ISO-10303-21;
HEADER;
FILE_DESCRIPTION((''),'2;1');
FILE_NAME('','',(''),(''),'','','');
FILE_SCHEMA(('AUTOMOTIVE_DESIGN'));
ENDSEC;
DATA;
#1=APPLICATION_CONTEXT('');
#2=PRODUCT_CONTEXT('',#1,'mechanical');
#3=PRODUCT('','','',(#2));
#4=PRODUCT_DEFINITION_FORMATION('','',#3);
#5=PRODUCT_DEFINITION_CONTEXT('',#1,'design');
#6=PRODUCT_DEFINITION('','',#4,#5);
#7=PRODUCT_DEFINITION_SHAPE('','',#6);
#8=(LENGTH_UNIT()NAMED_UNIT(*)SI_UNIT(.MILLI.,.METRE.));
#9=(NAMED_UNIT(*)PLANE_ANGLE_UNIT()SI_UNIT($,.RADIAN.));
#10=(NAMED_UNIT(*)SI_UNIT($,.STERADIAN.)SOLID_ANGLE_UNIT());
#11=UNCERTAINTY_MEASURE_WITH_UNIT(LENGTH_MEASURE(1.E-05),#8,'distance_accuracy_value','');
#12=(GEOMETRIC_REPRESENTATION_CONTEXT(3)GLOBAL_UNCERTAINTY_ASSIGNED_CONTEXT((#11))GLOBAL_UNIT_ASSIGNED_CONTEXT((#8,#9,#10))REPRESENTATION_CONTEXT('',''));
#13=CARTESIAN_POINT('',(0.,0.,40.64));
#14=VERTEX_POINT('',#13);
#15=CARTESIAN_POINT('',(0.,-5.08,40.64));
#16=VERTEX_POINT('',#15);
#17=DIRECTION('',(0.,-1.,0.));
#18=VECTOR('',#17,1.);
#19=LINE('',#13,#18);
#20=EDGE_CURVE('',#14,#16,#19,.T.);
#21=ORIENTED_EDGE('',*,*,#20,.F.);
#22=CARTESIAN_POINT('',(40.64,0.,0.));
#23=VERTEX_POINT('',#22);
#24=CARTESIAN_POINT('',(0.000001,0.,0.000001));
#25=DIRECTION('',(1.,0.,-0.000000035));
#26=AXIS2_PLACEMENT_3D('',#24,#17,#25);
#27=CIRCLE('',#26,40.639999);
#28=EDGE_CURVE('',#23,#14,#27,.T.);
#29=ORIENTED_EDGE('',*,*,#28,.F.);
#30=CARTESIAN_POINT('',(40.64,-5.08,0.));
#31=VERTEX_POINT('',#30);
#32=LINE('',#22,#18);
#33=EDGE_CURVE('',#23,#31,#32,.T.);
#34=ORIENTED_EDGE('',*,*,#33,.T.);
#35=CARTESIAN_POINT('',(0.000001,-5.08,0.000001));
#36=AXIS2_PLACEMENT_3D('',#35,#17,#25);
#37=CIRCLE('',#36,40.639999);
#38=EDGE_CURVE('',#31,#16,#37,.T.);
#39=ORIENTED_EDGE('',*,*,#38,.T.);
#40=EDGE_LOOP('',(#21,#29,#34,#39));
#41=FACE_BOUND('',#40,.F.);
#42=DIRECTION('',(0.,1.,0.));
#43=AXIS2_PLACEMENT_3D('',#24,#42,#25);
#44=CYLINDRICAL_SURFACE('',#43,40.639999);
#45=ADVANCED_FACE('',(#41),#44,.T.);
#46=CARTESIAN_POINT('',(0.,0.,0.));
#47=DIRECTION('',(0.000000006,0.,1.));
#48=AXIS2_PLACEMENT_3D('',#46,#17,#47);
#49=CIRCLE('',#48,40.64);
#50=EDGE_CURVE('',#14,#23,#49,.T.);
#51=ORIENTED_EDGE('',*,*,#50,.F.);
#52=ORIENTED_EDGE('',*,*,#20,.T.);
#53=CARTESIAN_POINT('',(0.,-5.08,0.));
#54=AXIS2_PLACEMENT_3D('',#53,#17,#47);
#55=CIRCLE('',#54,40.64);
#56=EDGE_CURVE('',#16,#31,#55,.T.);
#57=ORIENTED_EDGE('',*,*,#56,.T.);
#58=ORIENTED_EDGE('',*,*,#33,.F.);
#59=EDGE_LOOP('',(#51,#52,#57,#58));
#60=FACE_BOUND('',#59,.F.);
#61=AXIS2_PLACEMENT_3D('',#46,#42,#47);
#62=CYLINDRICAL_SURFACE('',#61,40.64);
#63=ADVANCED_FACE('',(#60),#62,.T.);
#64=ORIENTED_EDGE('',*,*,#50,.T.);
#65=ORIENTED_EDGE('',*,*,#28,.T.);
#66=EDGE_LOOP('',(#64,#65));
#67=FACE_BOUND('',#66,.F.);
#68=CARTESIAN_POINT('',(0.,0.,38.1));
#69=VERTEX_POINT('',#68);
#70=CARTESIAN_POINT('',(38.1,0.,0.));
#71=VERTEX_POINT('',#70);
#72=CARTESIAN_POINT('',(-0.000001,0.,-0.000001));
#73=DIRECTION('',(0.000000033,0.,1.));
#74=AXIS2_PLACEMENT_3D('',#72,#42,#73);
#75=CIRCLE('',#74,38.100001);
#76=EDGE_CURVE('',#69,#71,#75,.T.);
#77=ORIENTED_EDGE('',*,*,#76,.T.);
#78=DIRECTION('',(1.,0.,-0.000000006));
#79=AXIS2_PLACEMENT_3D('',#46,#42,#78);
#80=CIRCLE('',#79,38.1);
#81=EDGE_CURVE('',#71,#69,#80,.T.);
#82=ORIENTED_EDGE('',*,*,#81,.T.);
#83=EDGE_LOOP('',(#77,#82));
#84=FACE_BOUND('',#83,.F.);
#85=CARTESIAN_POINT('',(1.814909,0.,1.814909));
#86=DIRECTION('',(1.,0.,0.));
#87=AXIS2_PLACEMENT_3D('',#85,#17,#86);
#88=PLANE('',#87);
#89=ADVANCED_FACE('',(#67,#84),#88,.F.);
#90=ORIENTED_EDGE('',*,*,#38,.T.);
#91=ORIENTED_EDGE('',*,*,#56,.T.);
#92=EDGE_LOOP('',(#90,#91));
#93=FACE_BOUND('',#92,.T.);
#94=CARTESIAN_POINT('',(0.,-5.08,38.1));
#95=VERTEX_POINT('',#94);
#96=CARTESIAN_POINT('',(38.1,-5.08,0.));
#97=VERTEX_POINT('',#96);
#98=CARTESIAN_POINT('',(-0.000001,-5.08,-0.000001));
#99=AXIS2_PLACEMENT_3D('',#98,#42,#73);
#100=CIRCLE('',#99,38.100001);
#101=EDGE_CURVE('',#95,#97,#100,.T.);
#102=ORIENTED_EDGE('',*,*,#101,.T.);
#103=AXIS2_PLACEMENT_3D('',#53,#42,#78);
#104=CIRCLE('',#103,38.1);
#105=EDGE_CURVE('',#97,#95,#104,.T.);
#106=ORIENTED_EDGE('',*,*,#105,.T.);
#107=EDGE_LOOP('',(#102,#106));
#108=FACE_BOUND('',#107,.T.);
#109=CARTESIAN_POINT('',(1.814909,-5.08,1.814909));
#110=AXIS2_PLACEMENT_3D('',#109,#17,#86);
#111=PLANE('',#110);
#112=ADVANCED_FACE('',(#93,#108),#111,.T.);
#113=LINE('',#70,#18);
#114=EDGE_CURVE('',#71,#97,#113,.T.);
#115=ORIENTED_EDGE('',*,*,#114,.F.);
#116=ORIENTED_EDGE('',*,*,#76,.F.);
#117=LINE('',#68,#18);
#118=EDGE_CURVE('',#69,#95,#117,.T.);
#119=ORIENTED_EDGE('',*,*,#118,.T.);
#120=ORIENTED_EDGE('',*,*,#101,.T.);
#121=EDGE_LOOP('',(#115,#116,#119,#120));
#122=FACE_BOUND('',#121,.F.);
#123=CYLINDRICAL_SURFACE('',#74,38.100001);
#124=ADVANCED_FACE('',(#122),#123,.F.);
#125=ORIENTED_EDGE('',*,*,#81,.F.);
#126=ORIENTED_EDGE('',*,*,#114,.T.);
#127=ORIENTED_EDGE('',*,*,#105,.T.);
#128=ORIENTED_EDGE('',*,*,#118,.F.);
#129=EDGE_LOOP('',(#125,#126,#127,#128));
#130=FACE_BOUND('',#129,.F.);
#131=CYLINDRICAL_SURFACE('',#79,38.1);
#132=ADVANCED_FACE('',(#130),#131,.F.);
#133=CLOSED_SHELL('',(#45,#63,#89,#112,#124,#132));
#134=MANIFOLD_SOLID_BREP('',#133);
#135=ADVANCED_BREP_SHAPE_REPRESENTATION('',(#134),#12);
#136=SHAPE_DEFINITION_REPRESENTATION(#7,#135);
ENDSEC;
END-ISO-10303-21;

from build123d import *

# Parameters (mm, degrees)
F1_DEPTH = 5.08


with BuildPart() as f1:
    # F0 (on Front) → F1 (new body)
    with BuildSketch(Plane.XZ):
        with BuildLine():
            ThreePointArc((0, 40.64), (-28.73682, -28.73682), (40.64, 0))
            ThreePointArc((40.64, 0), (28.73682, 28.73682), (0, 40.64))
        make_face()
        with BuildLine():
            ThreePointArc((38.1, 0), (-26.940768, -26.940768), (0, 38.1))
            ThreePointArc((0, 38.1), (26.940768, 26.940768), (38.1, 0))
        make_face(mode=Mode.SUBTRACT)
    extrude(amount=F1_DEPTH)


solid = f1.part
